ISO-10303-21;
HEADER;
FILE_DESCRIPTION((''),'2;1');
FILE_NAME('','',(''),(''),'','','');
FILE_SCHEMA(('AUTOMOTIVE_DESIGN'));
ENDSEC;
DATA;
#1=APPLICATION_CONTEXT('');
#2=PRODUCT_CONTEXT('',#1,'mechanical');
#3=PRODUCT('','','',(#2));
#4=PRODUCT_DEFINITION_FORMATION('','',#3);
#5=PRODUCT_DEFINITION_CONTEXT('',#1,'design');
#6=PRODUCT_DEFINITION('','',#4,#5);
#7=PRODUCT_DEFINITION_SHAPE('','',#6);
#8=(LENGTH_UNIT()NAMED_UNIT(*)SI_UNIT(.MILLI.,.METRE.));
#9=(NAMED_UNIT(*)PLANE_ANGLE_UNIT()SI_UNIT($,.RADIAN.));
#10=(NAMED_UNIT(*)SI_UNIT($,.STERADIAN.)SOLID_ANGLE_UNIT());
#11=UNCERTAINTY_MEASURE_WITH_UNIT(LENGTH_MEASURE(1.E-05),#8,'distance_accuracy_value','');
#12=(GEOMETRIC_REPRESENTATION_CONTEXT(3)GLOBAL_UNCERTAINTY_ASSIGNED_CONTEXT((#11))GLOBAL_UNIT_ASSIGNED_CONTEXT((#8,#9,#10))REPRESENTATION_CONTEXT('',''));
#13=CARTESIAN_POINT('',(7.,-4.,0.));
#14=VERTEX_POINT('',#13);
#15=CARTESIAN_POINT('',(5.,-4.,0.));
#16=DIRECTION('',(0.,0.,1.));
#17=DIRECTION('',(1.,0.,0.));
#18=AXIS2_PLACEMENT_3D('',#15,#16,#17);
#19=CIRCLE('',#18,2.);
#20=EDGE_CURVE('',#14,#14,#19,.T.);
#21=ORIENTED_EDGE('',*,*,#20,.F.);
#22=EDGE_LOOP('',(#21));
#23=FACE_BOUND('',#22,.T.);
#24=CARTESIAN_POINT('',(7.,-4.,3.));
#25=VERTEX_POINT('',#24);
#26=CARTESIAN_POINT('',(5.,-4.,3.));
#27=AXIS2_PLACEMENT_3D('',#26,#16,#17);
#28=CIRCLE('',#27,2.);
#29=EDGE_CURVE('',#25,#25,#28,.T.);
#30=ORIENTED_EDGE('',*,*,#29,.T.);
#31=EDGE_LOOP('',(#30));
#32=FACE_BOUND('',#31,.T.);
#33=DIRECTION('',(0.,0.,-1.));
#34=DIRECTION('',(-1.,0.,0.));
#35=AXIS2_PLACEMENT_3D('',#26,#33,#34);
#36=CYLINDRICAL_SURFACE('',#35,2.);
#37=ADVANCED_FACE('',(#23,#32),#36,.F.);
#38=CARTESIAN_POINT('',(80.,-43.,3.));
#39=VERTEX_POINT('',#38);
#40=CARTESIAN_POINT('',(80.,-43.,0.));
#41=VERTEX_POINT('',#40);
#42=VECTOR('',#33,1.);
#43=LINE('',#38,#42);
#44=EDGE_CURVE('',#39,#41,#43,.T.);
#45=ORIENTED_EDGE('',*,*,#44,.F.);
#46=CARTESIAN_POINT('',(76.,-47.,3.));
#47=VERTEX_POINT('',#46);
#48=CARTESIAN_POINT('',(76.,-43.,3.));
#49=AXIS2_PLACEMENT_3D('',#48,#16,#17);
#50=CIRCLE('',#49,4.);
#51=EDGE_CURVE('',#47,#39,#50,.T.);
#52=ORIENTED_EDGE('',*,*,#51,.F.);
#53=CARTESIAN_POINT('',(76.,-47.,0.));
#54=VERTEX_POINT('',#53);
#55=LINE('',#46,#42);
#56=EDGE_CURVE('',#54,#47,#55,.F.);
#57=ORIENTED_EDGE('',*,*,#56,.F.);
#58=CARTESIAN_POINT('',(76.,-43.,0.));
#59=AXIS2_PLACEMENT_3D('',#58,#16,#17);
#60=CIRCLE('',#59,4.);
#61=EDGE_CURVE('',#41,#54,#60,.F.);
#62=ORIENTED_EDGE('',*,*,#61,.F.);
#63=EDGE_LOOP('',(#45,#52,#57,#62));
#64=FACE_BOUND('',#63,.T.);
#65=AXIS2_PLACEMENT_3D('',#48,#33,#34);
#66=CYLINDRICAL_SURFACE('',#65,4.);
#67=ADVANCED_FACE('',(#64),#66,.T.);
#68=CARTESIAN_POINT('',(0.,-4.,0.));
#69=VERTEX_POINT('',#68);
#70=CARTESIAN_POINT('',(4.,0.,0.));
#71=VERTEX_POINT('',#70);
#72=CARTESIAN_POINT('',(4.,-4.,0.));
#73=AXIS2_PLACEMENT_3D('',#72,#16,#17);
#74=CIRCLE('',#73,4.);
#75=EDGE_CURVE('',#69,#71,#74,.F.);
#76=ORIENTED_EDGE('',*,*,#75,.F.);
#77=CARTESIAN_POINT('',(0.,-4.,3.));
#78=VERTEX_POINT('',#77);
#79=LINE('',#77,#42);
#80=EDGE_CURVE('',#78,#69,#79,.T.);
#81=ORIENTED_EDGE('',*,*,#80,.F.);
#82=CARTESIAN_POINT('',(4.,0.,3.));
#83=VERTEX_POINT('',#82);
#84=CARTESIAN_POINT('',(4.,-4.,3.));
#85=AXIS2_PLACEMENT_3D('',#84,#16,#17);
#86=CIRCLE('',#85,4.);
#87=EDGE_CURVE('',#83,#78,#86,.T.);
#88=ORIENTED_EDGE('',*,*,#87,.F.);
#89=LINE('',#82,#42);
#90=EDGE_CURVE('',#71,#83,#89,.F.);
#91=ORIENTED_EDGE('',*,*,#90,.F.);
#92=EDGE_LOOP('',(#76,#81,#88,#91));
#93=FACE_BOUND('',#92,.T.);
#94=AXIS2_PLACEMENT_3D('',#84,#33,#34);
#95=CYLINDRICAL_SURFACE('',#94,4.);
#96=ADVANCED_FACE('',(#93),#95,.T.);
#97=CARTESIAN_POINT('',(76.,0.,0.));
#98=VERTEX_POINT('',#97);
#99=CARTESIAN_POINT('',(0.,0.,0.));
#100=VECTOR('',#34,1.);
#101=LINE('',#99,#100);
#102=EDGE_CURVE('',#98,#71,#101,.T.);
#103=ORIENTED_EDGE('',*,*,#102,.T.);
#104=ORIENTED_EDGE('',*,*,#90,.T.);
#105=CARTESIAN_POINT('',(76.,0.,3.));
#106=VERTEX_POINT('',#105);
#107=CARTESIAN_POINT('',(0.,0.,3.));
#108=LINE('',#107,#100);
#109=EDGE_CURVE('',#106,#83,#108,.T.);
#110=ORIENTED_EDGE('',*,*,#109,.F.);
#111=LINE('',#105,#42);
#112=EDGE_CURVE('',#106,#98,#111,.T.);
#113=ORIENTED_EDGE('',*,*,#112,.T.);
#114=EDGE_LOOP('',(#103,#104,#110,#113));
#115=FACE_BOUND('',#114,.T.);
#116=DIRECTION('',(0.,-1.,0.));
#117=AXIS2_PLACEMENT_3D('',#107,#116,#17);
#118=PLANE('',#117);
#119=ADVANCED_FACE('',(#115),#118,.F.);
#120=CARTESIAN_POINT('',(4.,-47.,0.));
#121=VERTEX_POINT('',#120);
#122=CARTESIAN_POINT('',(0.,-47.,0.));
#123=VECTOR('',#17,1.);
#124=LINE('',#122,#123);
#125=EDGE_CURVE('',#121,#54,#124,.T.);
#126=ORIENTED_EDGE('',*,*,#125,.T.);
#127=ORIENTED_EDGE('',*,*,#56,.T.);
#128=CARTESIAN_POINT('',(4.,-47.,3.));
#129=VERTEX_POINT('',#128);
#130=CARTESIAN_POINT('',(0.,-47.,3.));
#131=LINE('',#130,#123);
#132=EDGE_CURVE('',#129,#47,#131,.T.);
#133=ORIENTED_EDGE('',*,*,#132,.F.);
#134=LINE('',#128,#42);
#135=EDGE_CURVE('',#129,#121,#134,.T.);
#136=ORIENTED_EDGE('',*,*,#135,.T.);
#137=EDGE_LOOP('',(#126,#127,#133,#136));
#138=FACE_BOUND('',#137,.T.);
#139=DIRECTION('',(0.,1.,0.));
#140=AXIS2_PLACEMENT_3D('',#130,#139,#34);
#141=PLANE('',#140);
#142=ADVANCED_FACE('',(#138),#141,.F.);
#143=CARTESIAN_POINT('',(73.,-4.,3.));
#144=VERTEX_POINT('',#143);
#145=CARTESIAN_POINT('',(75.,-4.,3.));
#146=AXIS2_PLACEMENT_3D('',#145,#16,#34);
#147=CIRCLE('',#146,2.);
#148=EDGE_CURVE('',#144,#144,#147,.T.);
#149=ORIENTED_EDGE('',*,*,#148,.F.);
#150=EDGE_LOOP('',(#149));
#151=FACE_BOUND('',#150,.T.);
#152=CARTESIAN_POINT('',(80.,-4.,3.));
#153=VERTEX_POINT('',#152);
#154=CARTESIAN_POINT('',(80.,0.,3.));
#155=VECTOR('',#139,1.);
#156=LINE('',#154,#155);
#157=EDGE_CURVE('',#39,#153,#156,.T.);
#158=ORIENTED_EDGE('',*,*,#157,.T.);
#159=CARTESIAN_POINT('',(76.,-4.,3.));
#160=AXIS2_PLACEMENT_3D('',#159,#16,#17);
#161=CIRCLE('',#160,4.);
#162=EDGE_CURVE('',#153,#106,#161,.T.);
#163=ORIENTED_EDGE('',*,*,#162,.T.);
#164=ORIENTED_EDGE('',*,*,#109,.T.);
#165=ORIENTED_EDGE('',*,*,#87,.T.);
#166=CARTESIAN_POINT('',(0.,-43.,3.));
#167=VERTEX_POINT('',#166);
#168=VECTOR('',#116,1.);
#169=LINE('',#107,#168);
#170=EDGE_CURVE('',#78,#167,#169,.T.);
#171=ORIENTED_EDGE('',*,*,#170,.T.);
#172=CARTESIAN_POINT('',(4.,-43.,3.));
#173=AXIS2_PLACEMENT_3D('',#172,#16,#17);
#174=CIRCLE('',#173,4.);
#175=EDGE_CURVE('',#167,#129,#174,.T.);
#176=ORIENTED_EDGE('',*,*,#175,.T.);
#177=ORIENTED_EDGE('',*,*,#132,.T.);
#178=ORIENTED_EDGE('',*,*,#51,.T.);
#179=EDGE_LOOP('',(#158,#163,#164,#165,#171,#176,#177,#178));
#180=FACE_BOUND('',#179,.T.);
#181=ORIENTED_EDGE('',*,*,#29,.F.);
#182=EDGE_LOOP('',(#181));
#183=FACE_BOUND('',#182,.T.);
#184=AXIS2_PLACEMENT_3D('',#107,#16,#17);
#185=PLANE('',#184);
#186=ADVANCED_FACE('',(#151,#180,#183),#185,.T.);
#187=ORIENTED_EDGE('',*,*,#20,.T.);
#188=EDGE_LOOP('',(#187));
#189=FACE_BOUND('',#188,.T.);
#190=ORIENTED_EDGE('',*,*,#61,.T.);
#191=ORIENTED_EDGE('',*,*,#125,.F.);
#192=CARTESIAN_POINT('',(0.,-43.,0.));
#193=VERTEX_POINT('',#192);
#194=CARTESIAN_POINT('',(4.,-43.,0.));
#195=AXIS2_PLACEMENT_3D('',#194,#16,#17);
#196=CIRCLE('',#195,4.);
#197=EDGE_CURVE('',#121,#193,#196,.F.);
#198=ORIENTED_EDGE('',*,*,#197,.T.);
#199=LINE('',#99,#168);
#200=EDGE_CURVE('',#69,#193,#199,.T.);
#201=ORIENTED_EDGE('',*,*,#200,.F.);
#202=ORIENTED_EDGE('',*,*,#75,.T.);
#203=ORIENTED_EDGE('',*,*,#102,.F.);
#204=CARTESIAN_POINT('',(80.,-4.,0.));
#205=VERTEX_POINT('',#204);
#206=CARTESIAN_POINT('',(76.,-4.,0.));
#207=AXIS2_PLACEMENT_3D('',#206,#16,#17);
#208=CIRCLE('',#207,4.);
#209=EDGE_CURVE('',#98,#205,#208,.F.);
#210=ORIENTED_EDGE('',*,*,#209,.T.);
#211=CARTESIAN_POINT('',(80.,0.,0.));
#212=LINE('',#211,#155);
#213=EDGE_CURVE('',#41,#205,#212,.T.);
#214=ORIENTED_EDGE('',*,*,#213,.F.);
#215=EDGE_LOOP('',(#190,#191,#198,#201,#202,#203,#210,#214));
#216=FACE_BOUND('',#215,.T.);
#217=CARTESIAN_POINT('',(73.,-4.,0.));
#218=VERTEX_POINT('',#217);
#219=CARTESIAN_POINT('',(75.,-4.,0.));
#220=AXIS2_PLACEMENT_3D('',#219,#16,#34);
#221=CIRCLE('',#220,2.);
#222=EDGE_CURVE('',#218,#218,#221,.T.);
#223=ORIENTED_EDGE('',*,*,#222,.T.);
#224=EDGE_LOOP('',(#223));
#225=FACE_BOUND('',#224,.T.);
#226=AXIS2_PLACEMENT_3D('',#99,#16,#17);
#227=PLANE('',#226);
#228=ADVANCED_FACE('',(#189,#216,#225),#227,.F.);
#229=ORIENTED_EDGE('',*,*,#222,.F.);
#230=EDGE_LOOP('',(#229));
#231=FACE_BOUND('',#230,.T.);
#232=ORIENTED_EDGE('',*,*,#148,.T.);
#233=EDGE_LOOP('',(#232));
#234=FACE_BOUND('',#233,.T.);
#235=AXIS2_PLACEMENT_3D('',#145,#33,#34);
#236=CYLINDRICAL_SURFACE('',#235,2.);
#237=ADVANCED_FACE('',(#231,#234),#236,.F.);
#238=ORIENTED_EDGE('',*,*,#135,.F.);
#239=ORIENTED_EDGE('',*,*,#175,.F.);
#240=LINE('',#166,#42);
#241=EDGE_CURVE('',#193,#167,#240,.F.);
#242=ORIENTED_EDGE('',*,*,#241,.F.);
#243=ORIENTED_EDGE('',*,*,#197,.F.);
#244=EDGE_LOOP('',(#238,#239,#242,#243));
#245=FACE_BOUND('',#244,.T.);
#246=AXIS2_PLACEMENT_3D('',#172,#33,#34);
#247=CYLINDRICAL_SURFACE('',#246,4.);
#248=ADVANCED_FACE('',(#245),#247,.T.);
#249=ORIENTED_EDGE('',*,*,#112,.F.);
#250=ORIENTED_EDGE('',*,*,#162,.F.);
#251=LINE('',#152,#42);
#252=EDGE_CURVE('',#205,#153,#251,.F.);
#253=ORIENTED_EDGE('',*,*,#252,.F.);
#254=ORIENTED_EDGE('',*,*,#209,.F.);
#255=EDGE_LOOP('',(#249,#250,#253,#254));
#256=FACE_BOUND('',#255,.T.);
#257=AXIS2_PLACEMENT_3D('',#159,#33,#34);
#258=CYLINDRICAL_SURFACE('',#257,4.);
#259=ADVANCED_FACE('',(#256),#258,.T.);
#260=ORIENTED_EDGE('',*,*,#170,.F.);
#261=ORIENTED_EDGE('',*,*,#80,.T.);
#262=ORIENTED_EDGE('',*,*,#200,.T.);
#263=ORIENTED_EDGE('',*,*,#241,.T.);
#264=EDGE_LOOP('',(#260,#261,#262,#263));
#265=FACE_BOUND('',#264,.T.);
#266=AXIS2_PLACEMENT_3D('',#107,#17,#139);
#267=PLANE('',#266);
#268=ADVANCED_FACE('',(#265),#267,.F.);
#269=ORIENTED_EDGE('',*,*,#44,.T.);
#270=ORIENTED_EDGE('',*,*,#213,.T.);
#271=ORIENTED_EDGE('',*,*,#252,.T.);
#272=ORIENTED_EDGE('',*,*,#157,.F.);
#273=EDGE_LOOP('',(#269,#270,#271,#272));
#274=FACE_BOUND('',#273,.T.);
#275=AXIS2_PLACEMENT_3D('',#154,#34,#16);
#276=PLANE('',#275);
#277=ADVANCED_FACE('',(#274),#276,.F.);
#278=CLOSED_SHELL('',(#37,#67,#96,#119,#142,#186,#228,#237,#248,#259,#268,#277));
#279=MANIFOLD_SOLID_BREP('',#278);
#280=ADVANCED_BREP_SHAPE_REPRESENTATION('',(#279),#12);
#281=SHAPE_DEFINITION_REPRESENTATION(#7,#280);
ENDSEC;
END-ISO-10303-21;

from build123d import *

# Parameters (mm, degrees)
ESQUISSE1_W        = 80
ESQUISSE1_H        = 47
ESQUISSE1_R        = 2
BOSS_EXTRU_1_DEPTH = 3
CONG_1_R           = 4


with BuildPart() as part:
    # Esquisse1 → Boss.-Extru.1 (new body)
    with BuildSketch(Plane.XY):
        with Locations((40, -23.5)):
            Rectangle(ESQUISSE1_W, ESQUISSE1_H)
        with Locations((5, -4)):
            Circle(ESQUISSE1_R, mode=Mode.SUBTRACT)
        with Locations((75, -4)):
            Circle(ESQUISSE1_R, mode=Mode.SUBTRACT)
    extrude(amount=BOSS_EXTRU_1_DEPTH)

    # Congé1
    cong_1_edges = [part.edges().sort_by_distance(p)[0] for p in [
        (0, 0, 1.5),
        (80, 0, 1.5),
        (80, -47, 1.5),
        (0, -47, 1.5),
    ]]
    fillet(cong_1_edges, radius=CONG_1_R)


solid = part.part
